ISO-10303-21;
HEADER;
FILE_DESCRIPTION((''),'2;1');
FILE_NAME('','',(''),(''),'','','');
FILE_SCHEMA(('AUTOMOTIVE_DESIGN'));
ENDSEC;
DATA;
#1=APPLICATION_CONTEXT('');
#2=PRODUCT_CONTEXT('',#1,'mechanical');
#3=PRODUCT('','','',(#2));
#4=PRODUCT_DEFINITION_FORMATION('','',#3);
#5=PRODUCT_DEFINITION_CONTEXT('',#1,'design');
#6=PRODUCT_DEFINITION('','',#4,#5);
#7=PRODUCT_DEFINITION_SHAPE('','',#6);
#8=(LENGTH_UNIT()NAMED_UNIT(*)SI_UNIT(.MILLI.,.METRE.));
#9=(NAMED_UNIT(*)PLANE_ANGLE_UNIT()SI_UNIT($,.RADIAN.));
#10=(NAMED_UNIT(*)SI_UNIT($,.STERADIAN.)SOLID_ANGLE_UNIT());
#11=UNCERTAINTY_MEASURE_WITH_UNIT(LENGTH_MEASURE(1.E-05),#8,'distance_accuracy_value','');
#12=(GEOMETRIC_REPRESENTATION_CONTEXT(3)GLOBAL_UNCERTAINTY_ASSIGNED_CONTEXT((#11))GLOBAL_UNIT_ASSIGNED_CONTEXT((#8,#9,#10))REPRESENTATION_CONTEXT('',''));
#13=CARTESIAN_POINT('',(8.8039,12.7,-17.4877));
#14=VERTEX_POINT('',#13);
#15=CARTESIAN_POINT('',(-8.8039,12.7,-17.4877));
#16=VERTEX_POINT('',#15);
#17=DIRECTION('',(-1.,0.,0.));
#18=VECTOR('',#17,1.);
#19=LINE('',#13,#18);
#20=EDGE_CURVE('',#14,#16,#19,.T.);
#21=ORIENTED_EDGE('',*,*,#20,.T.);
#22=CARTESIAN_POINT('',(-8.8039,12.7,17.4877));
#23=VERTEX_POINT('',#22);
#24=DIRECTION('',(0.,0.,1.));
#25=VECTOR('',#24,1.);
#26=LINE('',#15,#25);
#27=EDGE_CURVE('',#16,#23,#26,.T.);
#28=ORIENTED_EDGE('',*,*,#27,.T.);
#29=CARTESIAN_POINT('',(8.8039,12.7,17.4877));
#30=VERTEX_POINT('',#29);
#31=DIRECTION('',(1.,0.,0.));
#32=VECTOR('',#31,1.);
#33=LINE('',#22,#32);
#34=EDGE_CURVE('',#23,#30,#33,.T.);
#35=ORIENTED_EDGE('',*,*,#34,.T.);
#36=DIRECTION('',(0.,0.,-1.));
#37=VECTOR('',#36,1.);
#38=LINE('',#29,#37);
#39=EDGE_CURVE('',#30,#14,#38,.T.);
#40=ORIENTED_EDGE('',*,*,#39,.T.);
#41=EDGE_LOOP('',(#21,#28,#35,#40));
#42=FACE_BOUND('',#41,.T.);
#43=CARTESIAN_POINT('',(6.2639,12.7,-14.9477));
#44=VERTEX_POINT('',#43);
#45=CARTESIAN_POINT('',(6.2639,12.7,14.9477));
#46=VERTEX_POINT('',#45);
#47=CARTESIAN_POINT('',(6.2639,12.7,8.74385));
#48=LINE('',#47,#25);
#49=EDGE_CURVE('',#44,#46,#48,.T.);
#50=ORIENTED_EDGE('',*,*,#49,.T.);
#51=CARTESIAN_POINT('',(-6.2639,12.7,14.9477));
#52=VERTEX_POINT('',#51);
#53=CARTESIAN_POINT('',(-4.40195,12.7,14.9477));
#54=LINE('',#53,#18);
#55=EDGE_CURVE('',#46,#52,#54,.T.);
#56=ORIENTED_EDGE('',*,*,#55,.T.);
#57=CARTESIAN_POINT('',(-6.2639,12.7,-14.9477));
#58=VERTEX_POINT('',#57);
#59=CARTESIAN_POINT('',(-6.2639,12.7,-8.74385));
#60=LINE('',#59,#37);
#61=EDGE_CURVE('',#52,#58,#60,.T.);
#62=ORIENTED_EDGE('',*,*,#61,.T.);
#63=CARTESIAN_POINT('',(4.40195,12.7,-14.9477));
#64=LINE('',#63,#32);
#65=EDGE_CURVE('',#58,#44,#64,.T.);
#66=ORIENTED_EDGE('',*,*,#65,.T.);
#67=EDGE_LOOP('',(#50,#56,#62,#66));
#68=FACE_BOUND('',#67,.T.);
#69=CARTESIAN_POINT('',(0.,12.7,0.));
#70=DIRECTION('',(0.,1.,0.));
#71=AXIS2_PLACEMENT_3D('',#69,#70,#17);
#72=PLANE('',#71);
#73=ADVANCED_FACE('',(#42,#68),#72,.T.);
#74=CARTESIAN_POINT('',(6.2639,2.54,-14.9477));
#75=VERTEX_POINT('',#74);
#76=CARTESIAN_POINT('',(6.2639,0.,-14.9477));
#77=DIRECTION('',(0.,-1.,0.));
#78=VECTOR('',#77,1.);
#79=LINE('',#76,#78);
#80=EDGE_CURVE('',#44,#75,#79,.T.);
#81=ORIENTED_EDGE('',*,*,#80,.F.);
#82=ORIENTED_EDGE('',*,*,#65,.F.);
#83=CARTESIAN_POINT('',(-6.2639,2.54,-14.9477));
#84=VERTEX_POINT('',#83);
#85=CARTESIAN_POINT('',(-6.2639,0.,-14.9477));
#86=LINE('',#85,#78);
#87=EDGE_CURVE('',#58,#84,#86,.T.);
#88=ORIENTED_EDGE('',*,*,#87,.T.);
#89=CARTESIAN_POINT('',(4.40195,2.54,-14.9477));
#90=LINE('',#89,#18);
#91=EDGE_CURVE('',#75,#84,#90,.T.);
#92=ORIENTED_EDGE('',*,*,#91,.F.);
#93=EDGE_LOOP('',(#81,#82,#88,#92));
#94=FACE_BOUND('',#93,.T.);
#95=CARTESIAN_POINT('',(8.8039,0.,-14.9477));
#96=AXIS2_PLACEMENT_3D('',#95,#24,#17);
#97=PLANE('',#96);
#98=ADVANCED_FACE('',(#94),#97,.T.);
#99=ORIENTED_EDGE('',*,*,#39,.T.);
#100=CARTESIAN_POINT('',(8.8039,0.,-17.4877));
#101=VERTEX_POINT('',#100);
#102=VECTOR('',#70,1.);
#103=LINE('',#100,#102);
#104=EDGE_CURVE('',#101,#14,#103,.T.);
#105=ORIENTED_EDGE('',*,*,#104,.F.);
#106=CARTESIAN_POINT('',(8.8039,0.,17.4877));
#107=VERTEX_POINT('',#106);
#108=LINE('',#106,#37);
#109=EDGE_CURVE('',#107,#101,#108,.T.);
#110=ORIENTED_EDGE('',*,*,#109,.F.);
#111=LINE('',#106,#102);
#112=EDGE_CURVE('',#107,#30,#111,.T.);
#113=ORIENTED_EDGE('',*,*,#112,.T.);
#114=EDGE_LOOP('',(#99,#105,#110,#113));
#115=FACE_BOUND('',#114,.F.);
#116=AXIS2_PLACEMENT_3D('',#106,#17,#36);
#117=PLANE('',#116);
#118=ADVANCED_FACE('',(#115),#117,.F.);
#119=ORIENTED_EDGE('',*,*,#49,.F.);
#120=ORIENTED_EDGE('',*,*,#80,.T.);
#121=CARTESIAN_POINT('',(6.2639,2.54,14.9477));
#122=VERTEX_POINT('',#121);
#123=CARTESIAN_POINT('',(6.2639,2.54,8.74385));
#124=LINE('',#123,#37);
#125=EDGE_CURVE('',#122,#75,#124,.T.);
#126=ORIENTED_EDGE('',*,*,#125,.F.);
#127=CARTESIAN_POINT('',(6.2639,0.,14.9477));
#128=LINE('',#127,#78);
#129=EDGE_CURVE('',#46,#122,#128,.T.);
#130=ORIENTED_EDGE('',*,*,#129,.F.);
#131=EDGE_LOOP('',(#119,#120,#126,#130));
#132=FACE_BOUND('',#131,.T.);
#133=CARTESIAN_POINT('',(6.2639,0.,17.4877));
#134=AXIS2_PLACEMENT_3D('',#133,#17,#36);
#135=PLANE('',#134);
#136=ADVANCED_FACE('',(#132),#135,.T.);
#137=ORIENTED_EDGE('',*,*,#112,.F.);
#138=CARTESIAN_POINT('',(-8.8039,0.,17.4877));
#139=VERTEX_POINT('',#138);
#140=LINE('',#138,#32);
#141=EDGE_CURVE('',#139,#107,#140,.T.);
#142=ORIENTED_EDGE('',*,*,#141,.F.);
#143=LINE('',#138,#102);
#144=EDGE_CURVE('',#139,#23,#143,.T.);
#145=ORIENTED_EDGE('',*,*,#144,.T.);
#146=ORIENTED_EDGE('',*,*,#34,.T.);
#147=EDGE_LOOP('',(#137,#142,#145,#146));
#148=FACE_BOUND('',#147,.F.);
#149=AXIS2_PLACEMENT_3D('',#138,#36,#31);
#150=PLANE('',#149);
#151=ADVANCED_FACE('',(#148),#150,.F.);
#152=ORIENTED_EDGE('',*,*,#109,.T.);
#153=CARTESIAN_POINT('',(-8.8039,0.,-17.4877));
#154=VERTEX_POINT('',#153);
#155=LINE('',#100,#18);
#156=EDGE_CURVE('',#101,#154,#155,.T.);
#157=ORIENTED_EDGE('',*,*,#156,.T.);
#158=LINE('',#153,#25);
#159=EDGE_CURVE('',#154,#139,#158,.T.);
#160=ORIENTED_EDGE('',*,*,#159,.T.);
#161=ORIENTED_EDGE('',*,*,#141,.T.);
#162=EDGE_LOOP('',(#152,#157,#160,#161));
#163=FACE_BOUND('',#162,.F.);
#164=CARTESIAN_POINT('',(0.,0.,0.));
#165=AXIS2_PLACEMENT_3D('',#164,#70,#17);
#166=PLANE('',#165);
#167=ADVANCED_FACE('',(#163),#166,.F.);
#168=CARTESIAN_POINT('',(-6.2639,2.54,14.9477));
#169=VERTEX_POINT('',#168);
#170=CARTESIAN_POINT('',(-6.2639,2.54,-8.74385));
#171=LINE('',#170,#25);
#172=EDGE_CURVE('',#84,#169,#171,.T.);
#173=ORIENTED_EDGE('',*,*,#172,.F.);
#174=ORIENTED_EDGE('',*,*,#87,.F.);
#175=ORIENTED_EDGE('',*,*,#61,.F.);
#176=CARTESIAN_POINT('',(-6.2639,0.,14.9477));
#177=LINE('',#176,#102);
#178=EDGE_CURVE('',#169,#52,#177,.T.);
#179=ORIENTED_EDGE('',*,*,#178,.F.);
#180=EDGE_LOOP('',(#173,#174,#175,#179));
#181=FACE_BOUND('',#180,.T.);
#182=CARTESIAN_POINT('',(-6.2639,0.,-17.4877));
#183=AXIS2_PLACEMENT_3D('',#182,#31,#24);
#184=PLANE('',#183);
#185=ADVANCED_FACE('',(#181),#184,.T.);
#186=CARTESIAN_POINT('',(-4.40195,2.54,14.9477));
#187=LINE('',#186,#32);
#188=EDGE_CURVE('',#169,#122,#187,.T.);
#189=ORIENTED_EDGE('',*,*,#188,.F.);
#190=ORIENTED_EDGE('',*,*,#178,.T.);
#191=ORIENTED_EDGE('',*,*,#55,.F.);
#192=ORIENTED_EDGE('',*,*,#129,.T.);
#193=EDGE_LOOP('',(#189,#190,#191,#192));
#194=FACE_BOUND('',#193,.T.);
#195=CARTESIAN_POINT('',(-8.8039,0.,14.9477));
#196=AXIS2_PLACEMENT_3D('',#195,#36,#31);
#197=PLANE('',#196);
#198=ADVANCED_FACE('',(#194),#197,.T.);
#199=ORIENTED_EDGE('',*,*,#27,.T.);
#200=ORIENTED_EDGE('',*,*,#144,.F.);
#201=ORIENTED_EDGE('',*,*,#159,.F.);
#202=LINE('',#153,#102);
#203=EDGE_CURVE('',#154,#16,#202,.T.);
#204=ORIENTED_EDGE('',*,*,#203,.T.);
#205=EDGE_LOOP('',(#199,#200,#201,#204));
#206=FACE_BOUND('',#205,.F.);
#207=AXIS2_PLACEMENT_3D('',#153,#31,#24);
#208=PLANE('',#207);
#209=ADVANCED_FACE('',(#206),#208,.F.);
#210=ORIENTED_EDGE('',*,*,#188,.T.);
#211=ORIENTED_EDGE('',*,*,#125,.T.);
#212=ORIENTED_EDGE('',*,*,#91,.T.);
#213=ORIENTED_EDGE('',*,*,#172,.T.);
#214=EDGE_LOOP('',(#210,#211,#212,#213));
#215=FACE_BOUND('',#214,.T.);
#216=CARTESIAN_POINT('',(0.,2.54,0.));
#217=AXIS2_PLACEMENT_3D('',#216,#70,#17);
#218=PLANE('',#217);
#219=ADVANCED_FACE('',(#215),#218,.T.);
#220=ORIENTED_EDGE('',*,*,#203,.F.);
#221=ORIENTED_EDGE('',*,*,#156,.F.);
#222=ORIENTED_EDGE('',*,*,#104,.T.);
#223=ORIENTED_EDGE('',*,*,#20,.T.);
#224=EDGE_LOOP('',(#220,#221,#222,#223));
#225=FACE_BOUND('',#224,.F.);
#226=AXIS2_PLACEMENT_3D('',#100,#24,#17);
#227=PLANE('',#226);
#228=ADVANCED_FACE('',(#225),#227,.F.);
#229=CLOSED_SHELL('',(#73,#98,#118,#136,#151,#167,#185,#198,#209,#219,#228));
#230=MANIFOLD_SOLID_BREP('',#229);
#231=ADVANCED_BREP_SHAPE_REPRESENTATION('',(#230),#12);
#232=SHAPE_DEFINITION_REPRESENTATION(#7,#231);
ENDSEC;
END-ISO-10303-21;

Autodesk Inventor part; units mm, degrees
ref_plane "YZ Plane" through (0, 0, 0) normal (1, 0, 0) x (0, 1, 0)
ref_plane "XZ Plane" through (0, 0, 0) normal (0, 1, 0) x (-1, 0, 0)
ref_plane "XY Plane" through (0, 0, 0) normal (0, 0, 1) x (1, 0, 0)
sketch "Sketch1" plane through (0, 0, 0) normal (0, 1, 0) x (-1, 0, 0)
  line L0 (8.8039, 17.4877) -> (-8.8039, 17.4877)
  line L1 (-8.8039, 17.4877) -> (-8.8039, -17.4877)
  line L2 (-8.8039, -17.4877) -> (8.8039, -17.4877)
  line L3 (8.8039, -17.4877) -> (8.8039, 17.4877)
  line L4 (8.8039, 17.4877) -> (-8.8039, -17.4877) construction
  line L5 (-8.8039, 17.4877) -> (8.8039, -17.4877) construction
  point P0 (0, 0)
extrude "Extrusion1" add sketch "Sketch1" along normal blind 12.7
shell "Shell1" thickness 2.54 removed faces 1 at (2.9346, 12.7, 5.8292)
properties part number "BOX"
